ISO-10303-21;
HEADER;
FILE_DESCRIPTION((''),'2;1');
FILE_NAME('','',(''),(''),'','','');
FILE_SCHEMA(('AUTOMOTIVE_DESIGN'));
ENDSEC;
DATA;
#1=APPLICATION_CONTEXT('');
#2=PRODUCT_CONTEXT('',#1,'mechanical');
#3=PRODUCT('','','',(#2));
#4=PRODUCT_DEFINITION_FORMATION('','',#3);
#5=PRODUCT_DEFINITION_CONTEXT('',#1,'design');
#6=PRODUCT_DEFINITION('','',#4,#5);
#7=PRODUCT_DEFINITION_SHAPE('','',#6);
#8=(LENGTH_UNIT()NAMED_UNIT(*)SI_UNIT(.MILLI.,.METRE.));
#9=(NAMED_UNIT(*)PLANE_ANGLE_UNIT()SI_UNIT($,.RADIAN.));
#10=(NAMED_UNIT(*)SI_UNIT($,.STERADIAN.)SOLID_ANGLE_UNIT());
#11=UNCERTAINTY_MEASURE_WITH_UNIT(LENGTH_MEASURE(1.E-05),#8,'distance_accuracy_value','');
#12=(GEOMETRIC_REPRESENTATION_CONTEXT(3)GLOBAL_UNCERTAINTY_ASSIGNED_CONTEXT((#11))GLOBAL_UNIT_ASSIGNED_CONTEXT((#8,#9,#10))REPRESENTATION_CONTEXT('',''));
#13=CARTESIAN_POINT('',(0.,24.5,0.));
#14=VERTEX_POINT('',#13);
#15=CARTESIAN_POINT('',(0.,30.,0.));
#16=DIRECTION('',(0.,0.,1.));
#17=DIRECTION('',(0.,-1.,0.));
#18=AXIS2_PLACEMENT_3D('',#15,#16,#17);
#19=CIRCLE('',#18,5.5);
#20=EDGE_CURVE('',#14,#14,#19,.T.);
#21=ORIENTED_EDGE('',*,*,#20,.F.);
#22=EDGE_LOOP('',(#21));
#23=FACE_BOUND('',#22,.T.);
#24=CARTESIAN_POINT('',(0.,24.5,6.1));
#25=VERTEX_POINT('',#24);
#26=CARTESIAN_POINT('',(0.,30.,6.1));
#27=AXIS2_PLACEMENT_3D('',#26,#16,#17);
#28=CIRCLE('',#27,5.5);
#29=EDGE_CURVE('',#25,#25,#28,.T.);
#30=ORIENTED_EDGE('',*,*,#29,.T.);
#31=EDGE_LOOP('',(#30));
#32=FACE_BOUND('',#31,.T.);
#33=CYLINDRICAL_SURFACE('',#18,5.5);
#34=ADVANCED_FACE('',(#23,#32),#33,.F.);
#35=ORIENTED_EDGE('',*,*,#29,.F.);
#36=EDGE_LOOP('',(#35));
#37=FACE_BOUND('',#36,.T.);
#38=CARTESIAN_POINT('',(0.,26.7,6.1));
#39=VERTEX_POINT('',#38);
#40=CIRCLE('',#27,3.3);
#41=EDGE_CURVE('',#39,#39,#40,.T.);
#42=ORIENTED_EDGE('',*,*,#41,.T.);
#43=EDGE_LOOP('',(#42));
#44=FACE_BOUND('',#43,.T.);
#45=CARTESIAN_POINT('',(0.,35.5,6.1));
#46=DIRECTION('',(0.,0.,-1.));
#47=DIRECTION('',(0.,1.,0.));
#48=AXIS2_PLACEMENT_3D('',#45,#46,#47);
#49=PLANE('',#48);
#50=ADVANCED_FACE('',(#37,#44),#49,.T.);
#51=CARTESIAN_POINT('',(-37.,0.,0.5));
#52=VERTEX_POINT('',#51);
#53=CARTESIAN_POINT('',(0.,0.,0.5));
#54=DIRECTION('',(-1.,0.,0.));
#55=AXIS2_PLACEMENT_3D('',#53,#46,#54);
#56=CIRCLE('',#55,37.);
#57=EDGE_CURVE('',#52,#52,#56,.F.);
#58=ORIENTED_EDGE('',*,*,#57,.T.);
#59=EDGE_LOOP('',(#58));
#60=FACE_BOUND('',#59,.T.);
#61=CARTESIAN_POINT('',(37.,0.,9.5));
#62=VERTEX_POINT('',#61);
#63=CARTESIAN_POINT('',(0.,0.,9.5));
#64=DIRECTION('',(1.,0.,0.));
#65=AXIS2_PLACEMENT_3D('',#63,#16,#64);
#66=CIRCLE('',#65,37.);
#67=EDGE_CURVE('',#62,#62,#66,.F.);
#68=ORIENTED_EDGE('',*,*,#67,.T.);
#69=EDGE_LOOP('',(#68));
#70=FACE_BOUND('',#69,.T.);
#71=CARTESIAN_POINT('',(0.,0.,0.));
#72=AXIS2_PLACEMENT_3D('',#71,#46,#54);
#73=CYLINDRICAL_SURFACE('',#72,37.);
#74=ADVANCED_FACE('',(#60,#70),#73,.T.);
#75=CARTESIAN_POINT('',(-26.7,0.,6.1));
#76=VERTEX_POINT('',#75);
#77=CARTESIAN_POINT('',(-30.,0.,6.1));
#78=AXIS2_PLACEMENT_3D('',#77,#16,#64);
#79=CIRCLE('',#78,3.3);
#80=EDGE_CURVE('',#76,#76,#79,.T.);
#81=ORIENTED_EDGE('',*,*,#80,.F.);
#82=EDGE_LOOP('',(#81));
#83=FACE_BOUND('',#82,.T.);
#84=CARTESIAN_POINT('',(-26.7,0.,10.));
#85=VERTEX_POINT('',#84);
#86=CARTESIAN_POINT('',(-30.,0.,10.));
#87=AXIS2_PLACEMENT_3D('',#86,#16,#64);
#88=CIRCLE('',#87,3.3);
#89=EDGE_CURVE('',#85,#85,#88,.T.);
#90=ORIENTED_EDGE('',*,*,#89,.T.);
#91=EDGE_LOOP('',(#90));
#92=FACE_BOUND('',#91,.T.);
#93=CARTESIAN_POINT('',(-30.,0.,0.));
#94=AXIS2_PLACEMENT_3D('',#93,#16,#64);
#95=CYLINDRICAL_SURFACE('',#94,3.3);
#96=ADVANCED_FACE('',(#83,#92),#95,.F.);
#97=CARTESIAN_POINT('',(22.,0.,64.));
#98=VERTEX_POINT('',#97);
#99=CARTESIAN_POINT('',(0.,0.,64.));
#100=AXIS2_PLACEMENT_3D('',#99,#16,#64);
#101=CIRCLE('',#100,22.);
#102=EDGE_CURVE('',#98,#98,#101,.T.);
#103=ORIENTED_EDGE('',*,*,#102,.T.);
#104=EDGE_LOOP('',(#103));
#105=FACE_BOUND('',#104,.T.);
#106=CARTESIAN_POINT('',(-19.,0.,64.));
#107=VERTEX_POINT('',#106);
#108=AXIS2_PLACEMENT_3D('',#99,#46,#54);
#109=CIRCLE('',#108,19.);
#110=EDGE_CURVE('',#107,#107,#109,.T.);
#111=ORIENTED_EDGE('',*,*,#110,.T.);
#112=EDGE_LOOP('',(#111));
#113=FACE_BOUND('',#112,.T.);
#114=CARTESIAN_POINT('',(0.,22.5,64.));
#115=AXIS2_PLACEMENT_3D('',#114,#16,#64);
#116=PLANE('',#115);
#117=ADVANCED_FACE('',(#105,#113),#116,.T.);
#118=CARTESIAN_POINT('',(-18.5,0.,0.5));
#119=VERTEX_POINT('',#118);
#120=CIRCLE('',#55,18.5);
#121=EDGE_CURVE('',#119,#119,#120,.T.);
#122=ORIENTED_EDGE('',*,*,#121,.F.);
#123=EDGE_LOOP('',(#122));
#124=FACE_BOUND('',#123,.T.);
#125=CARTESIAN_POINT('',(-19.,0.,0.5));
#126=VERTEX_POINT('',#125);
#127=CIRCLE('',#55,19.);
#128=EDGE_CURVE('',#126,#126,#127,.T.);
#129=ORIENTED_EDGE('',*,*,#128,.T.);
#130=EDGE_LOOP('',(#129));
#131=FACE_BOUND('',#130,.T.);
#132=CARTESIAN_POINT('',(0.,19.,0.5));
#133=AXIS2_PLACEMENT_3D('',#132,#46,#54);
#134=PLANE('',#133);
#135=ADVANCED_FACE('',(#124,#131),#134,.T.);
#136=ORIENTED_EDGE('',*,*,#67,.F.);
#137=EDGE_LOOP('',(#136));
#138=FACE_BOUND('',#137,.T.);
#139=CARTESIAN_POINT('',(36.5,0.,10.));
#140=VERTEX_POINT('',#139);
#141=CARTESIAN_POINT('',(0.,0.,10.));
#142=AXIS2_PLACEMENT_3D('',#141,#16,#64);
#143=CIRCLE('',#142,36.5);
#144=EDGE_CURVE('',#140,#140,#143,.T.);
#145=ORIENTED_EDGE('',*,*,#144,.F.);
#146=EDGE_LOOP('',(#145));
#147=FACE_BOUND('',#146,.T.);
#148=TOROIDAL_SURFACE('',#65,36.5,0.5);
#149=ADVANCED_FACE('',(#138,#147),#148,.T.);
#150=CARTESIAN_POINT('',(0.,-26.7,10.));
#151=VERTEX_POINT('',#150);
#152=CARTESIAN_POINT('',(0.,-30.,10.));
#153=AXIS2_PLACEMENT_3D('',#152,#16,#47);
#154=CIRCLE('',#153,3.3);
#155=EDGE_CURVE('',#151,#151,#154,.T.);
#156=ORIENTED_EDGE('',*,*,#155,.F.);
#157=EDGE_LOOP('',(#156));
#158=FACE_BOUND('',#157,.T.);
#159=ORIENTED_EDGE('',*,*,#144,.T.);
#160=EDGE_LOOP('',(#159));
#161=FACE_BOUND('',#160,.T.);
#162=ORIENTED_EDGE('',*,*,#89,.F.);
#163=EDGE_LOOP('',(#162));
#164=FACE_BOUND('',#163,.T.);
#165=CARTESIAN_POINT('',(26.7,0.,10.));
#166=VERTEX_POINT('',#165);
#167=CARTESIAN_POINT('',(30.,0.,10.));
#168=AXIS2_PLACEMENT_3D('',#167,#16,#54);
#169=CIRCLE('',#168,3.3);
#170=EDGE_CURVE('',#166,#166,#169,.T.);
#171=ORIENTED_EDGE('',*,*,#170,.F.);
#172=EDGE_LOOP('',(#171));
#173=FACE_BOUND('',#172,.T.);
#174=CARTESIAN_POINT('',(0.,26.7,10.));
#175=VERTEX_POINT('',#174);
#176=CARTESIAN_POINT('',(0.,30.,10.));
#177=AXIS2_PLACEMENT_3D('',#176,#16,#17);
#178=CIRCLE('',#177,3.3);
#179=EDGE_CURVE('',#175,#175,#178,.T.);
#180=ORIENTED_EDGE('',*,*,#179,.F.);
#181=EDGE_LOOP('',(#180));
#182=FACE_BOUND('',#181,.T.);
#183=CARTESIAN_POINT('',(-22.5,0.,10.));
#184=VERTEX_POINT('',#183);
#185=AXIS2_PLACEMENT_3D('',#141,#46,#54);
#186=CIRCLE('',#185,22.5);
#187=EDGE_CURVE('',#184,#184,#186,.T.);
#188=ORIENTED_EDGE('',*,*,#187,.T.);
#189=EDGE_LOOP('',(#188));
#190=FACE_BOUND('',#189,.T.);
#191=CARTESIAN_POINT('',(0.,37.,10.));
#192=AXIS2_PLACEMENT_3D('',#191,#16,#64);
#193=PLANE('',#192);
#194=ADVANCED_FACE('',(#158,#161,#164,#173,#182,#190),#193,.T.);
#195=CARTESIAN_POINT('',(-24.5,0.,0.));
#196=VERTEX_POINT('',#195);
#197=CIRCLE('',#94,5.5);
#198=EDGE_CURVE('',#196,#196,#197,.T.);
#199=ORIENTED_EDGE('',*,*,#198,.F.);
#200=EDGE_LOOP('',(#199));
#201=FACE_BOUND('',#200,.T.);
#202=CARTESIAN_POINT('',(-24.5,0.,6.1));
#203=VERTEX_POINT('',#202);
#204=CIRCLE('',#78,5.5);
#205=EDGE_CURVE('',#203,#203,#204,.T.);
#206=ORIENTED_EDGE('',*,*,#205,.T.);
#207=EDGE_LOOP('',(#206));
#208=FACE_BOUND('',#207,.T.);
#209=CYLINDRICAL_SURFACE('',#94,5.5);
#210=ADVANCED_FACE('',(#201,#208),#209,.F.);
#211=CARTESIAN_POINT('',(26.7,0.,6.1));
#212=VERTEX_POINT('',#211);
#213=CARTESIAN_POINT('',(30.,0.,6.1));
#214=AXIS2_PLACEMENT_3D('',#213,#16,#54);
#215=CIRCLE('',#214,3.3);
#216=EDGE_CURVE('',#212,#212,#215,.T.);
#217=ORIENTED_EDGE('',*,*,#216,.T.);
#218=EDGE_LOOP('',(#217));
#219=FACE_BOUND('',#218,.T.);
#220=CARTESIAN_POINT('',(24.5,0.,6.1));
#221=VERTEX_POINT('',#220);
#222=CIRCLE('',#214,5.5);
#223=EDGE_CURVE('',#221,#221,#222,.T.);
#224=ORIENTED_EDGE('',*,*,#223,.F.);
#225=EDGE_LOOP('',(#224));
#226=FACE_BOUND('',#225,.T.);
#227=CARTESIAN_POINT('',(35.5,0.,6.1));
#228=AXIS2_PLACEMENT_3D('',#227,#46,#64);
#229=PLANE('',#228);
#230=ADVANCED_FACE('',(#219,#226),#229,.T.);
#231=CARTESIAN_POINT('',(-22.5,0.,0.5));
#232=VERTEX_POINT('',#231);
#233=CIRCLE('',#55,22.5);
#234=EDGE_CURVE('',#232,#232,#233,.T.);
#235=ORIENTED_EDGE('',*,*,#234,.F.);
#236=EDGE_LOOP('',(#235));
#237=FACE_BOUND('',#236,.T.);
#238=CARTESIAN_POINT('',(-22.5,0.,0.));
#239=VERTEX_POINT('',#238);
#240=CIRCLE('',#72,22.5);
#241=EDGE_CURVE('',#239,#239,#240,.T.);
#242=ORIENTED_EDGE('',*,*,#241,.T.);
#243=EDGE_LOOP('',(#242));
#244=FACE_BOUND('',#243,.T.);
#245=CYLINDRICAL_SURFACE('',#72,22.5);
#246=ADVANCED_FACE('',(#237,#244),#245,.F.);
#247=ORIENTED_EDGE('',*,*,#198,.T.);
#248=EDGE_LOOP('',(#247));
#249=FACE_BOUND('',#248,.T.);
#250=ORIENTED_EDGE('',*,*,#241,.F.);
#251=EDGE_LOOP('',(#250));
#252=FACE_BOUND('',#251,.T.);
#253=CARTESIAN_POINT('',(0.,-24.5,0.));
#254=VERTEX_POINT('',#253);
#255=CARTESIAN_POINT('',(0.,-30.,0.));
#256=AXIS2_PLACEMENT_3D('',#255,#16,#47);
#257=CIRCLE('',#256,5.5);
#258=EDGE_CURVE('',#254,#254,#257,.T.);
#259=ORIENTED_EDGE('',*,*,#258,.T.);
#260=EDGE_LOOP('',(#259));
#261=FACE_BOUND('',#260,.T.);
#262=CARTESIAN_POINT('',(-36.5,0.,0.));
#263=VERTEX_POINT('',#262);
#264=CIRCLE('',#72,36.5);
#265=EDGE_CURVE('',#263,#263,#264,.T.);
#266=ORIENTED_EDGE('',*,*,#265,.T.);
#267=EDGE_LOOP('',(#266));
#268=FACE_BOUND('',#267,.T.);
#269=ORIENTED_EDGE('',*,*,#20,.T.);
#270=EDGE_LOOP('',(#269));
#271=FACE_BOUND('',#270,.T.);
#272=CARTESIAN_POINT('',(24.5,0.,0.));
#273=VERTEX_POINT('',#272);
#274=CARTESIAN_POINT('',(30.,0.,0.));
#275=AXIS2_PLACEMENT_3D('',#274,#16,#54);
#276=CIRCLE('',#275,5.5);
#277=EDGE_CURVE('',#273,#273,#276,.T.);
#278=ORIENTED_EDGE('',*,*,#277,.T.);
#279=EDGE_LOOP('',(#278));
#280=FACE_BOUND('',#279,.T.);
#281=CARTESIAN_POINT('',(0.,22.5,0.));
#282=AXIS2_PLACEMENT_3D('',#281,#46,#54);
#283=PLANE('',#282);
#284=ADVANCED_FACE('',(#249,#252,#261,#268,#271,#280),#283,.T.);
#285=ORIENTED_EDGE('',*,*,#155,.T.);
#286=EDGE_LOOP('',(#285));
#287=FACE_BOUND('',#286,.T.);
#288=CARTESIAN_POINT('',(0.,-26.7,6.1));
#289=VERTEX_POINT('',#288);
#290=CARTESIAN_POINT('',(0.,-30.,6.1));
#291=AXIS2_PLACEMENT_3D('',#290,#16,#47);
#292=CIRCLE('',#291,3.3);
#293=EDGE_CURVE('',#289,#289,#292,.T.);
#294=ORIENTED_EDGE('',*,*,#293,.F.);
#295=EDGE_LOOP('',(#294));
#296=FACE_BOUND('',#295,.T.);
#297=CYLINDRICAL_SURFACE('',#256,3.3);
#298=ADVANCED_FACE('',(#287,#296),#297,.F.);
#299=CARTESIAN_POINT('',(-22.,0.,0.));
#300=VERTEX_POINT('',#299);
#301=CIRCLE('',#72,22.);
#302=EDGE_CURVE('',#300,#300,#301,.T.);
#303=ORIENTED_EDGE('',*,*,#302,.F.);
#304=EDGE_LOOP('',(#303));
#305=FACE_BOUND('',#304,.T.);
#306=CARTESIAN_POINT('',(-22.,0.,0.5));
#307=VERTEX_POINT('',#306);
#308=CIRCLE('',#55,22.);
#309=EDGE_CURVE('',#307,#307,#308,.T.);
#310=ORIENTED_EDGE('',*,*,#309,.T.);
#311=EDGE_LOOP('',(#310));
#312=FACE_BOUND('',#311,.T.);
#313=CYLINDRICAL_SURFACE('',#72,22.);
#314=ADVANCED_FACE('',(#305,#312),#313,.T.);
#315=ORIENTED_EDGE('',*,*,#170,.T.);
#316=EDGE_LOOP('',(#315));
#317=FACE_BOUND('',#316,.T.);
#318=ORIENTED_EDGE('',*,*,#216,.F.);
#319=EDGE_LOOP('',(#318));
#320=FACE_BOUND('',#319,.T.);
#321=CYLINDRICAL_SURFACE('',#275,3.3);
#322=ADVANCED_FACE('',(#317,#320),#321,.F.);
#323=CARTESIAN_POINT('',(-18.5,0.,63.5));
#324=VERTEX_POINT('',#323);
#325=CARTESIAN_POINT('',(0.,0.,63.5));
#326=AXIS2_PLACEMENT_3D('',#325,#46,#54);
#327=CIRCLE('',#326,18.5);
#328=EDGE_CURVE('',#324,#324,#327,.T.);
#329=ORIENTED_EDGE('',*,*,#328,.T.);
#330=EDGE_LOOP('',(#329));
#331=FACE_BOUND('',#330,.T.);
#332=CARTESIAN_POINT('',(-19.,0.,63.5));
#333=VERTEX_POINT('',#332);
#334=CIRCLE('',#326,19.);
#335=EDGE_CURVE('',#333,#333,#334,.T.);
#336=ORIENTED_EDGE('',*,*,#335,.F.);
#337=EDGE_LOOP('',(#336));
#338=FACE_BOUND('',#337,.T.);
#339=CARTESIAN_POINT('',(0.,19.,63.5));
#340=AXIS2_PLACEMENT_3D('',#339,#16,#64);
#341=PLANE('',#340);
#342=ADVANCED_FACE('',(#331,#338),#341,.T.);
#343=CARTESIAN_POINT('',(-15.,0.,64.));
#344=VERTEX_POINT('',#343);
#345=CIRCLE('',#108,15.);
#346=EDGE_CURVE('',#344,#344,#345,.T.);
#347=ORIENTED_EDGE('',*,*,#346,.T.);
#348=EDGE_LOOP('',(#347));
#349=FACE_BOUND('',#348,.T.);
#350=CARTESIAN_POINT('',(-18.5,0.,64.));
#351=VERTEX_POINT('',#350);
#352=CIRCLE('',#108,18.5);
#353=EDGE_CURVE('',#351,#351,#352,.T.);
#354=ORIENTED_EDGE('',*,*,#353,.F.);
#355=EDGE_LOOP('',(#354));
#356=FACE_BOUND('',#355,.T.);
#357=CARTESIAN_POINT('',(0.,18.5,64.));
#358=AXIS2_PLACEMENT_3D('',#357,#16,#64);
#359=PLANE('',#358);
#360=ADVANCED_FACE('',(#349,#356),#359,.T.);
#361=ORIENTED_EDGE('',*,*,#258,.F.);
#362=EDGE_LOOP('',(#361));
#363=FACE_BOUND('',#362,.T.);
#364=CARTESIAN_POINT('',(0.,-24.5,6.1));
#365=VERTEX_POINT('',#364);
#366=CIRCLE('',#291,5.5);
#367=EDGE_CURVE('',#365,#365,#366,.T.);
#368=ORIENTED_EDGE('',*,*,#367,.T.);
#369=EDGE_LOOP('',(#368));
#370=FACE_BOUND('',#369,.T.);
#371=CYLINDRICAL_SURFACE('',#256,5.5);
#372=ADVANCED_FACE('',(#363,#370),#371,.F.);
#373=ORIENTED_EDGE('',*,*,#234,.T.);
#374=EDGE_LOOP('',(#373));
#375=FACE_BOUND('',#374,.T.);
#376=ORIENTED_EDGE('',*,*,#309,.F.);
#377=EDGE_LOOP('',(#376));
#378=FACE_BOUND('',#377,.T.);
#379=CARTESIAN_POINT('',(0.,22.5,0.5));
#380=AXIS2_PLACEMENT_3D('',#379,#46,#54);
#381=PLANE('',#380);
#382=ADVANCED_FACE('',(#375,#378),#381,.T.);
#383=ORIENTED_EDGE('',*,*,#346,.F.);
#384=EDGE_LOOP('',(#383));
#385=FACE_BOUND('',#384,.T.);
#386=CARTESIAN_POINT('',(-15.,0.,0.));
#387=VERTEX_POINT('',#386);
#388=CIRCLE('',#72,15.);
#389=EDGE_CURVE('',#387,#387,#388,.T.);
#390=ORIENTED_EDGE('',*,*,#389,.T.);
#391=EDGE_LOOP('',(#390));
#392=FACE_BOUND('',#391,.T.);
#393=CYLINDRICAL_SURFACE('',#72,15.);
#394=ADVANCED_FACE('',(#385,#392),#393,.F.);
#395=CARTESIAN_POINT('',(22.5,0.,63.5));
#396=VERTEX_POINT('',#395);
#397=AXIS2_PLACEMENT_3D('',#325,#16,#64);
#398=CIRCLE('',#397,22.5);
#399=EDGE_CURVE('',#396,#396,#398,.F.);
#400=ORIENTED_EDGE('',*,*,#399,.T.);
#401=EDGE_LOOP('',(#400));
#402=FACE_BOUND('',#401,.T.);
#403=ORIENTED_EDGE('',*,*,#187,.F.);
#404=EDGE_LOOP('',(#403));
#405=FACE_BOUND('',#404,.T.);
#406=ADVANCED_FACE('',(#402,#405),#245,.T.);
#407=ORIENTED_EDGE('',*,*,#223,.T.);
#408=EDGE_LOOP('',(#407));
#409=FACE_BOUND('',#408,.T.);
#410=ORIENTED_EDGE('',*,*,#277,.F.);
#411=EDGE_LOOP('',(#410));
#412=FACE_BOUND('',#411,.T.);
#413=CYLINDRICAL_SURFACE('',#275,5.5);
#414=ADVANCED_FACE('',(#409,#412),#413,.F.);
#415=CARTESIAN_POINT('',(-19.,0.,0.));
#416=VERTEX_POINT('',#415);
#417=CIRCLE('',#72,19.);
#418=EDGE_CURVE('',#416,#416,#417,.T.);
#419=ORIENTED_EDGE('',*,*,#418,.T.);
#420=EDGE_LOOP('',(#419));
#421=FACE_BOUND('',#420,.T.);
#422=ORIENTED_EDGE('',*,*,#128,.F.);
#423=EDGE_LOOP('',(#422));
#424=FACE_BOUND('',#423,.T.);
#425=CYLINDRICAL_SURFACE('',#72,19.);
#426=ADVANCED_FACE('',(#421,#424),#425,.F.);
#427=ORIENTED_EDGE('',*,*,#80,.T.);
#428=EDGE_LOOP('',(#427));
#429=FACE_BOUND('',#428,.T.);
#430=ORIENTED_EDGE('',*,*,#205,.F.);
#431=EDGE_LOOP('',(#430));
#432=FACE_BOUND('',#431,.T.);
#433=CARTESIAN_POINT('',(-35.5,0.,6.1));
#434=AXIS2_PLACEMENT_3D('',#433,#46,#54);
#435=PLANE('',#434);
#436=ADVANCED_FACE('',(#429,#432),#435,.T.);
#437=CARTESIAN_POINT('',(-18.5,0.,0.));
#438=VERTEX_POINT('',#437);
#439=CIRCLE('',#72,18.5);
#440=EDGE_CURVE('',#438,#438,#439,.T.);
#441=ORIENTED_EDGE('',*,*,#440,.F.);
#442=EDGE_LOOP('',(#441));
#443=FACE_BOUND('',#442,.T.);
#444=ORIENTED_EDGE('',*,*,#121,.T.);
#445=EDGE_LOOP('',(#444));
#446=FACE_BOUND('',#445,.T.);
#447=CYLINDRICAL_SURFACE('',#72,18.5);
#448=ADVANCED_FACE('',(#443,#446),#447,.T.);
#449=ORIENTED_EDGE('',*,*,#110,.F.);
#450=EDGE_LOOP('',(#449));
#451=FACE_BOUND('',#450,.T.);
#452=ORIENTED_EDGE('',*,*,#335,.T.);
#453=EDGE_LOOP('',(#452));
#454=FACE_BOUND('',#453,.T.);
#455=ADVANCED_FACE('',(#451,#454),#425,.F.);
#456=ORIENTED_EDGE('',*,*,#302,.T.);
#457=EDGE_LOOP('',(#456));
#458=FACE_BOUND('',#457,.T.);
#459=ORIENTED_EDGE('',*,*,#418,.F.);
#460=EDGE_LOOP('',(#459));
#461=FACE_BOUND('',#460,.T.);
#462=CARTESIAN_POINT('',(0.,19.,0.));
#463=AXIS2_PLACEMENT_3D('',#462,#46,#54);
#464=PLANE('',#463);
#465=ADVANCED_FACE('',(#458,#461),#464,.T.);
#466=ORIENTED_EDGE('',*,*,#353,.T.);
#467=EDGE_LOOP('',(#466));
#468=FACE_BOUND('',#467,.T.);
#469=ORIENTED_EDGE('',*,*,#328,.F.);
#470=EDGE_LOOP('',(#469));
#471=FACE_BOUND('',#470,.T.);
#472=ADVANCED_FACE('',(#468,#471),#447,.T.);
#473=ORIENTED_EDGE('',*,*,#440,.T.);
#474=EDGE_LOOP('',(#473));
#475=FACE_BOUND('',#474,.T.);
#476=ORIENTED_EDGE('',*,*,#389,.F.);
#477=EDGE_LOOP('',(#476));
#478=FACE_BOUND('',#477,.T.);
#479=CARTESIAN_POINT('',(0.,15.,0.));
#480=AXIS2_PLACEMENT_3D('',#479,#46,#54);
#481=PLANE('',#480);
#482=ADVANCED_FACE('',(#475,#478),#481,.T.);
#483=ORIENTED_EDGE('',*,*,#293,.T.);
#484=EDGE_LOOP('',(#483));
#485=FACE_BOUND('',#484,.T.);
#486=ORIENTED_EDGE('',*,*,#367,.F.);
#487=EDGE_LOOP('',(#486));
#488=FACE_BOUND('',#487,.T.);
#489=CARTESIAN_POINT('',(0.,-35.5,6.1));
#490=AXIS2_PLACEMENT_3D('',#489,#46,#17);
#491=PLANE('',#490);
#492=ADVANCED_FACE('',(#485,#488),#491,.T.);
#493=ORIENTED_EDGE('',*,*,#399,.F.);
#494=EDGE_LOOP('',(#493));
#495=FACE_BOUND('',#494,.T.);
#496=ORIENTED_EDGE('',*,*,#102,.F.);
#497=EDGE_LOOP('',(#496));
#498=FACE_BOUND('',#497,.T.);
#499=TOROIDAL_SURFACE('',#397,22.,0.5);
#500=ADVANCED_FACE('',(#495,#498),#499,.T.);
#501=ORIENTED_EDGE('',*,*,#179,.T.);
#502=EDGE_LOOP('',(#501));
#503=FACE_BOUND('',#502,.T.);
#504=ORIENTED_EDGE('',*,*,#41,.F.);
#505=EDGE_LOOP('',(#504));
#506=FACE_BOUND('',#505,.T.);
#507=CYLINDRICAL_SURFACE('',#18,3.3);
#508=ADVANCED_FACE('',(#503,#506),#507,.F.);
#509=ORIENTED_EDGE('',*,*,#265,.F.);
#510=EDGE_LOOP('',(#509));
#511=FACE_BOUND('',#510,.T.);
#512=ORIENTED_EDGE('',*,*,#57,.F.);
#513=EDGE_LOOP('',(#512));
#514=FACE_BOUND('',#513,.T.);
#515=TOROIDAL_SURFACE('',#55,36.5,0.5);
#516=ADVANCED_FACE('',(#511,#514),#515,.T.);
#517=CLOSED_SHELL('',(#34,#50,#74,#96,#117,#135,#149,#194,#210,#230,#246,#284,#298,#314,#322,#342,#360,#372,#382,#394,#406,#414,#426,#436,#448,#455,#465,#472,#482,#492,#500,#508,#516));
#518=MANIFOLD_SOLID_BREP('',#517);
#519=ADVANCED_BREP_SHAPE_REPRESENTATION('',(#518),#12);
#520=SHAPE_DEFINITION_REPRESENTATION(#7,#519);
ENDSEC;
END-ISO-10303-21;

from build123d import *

# Parameters (mm, degrees)
PADR_OCIRCULAR1_COUNT = 4
FILETE1_R             = 0.5


with BuildPart() as part:
    # Esboço1 → Revolução1 (revolve)
    with BuildSketch(Plane(origin=(0, 0, 0), x_dir=(0, 0, -1), z_dir=(1, 0, 0)), mode=Mode.PRIVATE) as revolu_o1_sk:
        Polygon((0, 15), (0, 18.5), (-0.5, 18.5), (-0.5, 19), (0, 19), (0, 22), (-0.5, 22), (-0.5, 22.5), (0, 22.5), (0, 37), (-10, 37), (-10, 22.5), (-64, 22.5), (-64, 19), (-63.5, 19), (-63.5, 18.5), (-64, 18.5), (-64, 15), align=None)
    revolve(revolu_o1_sk.sketch.rotate(Axis((0, 0, 0), (0, 0, 1)), 90), axis=Axis((0, 0, 0), (0, 0, 1)))  # turned: the seam where the file's is

    # Esboço5 → Corte-Revolução1 (revolve, cut)
    with BuildSketch(Plane(origin=(0, 0, 0), x_dir=(0, 0, -1), z_dir=(1, 0, 0)), mode=Mode.PRIVATE) as corte_revolu_o1_sk:
        Polygon((0, 35.5), (-6.1, 35.5), (-6.1, 33.3), (-10, 33.3), (-10, 30), (0, 30), align=None)
    corte_revolu_o1 = revolve(corte_revolu_o1_sk.sketch.rotate(Axis((0, 30, 0), (0, 0, -1)), 180), axis=Axis((0, 30, 0), (0, 0, -1)), mode=Mode.SUBTRACT)  # turned: the seam where the file's is

    # PadrãoCircular1: Corte-Revolução1 ×4 about axis
    padr_ocircular1_axis = Axis((0, 0, 0), (0, 0, 1))
    for i in range(1, PADR_OCIRCULAR1_COUNT):
        add(corte_revolu_o1.rotate(padr_ocircular1_axis, i * 360 / PADR_OCIRCULAR1_COUNT), mode=Mode.SUBTRACT)

    # Filete1
    filete1_edges = [part.edges().sort_by_distance(p)[0] for p in [
        (22.5, 0, 64),
        (37, 0, 10),
        (37, 0, 0),
    ]]
    fillet(filete1_edges, radius=FILETE1_R)


solid = part.part
